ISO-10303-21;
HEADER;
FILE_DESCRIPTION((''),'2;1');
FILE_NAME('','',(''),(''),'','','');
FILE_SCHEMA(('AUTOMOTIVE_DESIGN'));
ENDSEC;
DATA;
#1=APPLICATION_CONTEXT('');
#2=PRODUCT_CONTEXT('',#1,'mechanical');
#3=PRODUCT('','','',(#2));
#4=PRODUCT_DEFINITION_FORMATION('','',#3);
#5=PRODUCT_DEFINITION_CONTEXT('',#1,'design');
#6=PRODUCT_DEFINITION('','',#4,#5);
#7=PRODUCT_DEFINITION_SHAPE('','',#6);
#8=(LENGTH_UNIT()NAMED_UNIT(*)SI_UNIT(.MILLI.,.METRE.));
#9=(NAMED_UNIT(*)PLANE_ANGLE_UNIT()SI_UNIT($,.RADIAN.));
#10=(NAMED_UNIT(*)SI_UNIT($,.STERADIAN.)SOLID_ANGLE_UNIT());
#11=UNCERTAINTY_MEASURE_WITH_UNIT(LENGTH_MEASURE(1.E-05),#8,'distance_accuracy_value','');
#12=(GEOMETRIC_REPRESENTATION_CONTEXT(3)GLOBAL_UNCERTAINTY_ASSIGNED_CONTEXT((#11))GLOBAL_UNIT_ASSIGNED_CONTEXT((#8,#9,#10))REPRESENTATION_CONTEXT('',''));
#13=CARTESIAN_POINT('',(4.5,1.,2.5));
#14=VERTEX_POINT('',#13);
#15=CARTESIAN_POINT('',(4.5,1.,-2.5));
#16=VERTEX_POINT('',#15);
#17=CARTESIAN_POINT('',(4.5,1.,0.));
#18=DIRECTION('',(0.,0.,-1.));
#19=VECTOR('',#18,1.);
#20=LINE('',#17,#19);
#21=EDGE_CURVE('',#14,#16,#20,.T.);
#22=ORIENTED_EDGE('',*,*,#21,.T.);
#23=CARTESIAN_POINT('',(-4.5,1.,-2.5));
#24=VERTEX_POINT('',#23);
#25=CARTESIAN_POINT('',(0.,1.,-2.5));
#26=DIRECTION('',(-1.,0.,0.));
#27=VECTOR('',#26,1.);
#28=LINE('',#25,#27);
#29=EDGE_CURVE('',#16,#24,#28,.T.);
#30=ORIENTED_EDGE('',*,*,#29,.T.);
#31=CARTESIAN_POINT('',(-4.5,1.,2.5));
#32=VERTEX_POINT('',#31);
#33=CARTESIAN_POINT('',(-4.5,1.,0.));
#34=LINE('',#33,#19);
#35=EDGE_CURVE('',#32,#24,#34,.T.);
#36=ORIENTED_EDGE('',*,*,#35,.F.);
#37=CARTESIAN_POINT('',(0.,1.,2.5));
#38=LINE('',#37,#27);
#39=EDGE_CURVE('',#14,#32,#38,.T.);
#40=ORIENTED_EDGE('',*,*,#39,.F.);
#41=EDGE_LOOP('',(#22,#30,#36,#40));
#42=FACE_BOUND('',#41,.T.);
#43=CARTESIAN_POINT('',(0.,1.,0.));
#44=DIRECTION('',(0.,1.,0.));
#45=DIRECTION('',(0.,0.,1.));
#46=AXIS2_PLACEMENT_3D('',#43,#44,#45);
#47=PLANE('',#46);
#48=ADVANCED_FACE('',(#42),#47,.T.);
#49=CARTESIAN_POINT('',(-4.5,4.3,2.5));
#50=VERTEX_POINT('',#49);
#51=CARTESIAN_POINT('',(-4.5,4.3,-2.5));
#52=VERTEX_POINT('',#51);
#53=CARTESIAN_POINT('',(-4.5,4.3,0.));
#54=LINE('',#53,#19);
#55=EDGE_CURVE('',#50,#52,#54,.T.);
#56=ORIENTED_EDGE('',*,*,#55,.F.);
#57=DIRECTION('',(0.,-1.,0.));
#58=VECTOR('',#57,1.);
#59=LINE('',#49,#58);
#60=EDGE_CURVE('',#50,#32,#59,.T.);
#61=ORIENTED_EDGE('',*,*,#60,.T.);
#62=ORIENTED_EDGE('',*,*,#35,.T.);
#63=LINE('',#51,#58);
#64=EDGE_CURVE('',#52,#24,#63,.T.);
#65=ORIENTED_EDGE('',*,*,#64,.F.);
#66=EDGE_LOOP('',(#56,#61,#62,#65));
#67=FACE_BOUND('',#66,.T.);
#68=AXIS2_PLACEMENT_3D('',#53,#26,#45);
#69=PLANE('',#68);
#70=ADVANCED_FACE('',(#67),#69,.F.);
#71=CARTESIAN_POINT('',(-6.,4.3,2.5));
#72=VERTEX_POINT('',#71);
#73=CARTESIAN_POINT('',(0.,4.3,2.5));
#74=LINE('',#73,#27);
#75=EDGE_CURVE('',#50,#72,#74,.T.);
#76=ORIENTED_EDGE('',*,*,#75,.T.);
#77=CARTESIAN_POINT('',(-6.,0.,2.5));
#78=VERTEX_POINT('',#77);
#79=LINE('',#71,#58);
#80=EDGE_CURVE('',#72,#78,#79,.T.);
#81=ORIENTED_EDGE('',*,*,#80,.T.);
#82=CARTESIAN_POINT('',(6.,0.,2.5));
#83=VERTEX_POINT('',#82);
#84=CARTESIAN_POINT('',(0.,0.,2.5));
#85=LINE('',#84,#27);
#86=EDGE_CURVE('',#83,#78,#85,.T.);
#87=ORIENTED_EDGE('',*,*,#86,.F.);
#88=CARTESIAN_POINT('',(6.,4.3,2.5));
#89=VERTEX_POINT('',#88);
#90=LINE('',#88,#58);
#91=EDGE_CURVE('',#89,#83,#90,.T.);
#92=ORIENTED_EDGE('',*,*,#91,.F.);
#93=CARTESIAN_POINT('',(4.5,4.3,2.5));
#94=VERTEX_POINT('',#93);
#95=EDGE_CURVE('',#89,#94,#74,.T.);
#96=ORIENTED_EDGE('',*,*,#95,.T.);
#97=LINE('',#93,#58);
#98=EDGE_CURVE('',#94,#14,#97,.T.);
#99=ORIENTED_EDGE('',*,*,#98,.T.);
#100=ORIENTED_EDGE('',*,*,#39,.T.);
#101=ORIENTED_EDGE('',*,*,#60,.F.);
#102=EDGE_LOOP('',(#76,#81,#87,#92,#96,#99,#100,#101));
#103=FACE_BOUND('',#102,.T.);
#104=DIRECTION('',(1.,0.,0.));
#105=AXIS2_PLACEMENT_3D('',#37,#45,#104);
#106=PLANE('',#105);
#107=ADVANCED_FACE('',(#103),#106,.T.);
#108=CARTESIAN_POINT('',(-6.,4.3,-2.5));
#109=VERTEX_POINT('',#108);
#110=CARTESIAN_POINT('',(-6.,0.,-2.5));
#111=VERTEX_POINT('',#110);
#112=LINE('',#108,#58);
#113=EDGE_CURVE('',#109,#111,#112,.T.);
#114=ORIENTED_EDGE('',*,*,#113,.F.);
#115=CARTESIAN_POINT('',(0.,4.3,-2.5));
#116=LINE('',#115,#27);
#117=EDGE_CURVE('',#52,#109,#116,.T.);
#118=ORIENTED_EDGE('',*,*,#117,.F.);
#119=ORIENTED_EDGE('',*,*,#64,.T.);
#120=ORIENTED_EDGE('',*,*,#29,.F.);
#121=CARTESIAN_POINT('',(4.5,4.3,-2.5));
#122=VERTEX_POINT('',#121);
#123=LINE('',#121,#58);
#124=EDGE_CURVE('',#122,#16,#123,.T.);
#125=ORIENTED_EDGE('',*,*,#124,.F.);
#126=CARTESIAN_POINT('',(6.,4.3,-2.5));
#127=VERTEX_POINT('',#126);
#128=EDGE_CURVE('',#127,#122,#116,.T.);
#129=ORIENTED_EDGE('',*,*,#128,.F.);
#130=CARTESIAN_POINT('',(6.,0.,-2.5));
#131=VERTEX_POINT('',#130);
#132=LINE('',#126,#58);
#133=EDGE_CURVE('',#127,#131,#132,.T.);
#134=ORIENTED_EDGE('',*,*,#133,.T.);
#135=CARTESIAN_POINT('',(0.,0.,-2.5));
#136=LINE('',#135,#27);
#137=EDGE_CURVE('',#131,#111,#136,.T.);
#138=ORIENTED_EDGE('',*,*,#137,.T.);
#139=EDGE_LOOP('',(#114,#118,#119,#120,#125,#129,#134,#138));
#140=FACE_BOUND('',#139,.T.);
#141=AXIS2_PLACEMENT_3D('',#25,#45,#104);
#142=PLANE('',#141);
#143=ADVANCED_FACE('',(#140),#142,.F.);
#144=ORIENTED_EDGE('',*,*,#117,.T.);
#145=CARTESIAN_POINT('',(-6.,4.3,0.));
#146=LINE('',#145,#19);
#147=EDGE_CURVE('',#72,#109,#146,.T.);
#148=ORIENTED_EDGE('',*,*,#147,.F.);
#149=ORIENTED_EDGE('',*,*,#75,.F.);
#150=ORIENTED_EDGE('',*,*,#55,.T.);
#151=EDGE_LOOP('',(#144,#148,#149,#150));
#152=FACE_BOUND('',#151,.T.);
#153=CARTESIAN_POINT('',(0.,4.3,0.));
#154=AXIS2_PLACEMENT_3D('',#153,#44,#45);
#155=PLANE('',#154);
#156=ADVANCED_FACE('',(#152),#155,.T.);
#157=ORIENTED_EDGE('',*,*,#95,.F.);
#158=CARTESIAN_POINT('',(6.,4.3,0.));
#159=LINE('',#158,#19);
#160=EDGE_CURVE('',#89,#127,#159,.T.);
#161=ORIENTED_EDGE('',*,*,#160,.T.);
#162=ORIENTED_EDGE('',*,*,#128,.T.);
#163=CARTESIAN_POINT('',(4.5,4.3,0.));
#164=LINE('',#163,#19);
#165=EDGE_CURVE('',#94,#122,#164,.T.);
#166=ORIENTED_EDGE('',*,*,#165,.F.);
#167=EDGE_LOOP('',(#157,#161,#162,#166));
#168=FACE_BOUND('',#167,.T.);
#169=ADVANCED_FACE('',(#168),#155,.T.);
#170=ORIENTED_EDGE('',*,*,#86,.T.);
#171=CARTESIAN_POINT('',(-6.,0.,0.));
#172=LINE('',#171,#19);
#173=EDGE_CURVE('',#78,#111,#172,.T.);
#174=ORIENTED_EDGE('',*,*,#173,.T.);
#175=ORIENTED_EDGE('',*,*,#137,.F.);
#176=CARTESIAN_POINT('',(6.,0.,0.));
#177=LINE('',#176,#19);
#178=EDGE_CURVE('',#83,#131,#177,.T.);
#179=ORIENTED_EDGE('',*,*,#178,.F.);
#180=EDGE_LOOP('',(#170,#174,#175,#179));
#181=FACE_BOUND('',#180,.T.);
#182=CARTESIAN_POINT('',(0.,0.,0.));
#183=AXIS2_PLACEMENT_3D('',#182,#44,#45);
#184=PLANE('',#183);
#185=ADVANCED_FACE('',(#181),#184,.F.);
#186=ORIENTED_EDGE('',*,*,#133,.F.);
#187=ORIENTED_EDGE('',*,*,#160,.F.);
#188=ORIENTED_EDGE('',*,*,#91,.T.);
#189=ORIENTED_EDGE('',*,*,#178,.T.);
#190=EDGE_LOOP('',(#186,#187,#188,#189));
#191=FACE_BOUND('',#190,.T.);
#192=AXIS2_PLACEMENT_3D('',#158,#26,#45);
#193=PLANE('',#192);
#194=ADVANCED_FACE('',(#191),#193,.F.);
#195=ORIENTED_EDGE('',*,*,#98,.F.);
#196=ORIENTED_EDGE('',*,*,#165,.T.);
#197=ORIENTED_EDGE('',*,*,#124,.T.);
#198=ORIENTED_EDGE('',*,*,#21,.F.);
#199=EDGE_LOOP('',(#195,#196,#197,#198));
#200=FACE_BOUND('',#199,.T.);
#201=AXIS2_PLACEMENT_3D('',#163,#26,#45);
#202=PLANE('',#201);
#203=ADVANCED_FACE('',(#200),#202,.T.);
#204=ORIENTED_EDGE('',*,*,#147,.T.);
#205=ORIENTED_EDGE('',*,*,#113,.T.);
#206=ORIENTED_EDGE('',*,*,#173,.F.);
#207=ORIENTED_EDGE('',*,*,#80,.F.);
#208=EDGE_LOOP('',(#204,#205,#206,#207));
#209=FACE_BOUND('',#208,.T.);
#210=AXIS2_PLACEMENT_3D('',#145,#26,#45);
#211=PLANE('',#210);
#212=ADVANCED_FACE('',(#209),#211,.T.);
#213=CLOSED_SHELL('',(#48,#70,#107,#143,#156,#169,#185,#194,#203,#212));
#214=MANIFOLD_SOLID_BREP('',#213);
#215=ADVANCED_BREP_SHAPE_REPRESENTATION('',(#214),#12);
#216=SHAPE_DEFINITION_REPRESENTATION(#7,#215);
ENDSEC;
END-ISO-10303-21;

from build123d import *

# Parameters (mm, degrees)
SKETCH_1_W      = 9
SKETCH_1_H      = 5
EXTRUDE_1_DEPTH = 1
SKETCH_1_3_W    = 1.5
SKETCH_1_3_H    = 5
EXTRUDE_2_DEPTH = 4.3


with BuildPart() as part:
    # 草图1 → 凸台-拉伸1 (new body)
    with BuildSketch(Plane(origin=(0, 0, 0), x_dir=(1, 0, 0), z_dir=(0, 1, 0))):
        Rectangle(SKETCH_1_W, SKETCH_1_H)
    extrude(amount=EXTRUDE_1_DEPTH)

    # 草图1<3> → 凸台-拉伸2 (add)
    with BuildSketch(Plane(origin=(0, 0, 0), x_dir=(1, 0, 0), z_dir=(0, 1, 0))):
        with Locations((5.25, 0)):
            Rectangle(SKETCH_1_3_W, SKETCH_1_3_H)
        with Locations((-5.25, 0)):
            Rectangle(SKETCH_1_3_W, SKETCH_1_3_H)
    extrude(amount=EXTRUDE_2_DEPTH)


solid = part.part
